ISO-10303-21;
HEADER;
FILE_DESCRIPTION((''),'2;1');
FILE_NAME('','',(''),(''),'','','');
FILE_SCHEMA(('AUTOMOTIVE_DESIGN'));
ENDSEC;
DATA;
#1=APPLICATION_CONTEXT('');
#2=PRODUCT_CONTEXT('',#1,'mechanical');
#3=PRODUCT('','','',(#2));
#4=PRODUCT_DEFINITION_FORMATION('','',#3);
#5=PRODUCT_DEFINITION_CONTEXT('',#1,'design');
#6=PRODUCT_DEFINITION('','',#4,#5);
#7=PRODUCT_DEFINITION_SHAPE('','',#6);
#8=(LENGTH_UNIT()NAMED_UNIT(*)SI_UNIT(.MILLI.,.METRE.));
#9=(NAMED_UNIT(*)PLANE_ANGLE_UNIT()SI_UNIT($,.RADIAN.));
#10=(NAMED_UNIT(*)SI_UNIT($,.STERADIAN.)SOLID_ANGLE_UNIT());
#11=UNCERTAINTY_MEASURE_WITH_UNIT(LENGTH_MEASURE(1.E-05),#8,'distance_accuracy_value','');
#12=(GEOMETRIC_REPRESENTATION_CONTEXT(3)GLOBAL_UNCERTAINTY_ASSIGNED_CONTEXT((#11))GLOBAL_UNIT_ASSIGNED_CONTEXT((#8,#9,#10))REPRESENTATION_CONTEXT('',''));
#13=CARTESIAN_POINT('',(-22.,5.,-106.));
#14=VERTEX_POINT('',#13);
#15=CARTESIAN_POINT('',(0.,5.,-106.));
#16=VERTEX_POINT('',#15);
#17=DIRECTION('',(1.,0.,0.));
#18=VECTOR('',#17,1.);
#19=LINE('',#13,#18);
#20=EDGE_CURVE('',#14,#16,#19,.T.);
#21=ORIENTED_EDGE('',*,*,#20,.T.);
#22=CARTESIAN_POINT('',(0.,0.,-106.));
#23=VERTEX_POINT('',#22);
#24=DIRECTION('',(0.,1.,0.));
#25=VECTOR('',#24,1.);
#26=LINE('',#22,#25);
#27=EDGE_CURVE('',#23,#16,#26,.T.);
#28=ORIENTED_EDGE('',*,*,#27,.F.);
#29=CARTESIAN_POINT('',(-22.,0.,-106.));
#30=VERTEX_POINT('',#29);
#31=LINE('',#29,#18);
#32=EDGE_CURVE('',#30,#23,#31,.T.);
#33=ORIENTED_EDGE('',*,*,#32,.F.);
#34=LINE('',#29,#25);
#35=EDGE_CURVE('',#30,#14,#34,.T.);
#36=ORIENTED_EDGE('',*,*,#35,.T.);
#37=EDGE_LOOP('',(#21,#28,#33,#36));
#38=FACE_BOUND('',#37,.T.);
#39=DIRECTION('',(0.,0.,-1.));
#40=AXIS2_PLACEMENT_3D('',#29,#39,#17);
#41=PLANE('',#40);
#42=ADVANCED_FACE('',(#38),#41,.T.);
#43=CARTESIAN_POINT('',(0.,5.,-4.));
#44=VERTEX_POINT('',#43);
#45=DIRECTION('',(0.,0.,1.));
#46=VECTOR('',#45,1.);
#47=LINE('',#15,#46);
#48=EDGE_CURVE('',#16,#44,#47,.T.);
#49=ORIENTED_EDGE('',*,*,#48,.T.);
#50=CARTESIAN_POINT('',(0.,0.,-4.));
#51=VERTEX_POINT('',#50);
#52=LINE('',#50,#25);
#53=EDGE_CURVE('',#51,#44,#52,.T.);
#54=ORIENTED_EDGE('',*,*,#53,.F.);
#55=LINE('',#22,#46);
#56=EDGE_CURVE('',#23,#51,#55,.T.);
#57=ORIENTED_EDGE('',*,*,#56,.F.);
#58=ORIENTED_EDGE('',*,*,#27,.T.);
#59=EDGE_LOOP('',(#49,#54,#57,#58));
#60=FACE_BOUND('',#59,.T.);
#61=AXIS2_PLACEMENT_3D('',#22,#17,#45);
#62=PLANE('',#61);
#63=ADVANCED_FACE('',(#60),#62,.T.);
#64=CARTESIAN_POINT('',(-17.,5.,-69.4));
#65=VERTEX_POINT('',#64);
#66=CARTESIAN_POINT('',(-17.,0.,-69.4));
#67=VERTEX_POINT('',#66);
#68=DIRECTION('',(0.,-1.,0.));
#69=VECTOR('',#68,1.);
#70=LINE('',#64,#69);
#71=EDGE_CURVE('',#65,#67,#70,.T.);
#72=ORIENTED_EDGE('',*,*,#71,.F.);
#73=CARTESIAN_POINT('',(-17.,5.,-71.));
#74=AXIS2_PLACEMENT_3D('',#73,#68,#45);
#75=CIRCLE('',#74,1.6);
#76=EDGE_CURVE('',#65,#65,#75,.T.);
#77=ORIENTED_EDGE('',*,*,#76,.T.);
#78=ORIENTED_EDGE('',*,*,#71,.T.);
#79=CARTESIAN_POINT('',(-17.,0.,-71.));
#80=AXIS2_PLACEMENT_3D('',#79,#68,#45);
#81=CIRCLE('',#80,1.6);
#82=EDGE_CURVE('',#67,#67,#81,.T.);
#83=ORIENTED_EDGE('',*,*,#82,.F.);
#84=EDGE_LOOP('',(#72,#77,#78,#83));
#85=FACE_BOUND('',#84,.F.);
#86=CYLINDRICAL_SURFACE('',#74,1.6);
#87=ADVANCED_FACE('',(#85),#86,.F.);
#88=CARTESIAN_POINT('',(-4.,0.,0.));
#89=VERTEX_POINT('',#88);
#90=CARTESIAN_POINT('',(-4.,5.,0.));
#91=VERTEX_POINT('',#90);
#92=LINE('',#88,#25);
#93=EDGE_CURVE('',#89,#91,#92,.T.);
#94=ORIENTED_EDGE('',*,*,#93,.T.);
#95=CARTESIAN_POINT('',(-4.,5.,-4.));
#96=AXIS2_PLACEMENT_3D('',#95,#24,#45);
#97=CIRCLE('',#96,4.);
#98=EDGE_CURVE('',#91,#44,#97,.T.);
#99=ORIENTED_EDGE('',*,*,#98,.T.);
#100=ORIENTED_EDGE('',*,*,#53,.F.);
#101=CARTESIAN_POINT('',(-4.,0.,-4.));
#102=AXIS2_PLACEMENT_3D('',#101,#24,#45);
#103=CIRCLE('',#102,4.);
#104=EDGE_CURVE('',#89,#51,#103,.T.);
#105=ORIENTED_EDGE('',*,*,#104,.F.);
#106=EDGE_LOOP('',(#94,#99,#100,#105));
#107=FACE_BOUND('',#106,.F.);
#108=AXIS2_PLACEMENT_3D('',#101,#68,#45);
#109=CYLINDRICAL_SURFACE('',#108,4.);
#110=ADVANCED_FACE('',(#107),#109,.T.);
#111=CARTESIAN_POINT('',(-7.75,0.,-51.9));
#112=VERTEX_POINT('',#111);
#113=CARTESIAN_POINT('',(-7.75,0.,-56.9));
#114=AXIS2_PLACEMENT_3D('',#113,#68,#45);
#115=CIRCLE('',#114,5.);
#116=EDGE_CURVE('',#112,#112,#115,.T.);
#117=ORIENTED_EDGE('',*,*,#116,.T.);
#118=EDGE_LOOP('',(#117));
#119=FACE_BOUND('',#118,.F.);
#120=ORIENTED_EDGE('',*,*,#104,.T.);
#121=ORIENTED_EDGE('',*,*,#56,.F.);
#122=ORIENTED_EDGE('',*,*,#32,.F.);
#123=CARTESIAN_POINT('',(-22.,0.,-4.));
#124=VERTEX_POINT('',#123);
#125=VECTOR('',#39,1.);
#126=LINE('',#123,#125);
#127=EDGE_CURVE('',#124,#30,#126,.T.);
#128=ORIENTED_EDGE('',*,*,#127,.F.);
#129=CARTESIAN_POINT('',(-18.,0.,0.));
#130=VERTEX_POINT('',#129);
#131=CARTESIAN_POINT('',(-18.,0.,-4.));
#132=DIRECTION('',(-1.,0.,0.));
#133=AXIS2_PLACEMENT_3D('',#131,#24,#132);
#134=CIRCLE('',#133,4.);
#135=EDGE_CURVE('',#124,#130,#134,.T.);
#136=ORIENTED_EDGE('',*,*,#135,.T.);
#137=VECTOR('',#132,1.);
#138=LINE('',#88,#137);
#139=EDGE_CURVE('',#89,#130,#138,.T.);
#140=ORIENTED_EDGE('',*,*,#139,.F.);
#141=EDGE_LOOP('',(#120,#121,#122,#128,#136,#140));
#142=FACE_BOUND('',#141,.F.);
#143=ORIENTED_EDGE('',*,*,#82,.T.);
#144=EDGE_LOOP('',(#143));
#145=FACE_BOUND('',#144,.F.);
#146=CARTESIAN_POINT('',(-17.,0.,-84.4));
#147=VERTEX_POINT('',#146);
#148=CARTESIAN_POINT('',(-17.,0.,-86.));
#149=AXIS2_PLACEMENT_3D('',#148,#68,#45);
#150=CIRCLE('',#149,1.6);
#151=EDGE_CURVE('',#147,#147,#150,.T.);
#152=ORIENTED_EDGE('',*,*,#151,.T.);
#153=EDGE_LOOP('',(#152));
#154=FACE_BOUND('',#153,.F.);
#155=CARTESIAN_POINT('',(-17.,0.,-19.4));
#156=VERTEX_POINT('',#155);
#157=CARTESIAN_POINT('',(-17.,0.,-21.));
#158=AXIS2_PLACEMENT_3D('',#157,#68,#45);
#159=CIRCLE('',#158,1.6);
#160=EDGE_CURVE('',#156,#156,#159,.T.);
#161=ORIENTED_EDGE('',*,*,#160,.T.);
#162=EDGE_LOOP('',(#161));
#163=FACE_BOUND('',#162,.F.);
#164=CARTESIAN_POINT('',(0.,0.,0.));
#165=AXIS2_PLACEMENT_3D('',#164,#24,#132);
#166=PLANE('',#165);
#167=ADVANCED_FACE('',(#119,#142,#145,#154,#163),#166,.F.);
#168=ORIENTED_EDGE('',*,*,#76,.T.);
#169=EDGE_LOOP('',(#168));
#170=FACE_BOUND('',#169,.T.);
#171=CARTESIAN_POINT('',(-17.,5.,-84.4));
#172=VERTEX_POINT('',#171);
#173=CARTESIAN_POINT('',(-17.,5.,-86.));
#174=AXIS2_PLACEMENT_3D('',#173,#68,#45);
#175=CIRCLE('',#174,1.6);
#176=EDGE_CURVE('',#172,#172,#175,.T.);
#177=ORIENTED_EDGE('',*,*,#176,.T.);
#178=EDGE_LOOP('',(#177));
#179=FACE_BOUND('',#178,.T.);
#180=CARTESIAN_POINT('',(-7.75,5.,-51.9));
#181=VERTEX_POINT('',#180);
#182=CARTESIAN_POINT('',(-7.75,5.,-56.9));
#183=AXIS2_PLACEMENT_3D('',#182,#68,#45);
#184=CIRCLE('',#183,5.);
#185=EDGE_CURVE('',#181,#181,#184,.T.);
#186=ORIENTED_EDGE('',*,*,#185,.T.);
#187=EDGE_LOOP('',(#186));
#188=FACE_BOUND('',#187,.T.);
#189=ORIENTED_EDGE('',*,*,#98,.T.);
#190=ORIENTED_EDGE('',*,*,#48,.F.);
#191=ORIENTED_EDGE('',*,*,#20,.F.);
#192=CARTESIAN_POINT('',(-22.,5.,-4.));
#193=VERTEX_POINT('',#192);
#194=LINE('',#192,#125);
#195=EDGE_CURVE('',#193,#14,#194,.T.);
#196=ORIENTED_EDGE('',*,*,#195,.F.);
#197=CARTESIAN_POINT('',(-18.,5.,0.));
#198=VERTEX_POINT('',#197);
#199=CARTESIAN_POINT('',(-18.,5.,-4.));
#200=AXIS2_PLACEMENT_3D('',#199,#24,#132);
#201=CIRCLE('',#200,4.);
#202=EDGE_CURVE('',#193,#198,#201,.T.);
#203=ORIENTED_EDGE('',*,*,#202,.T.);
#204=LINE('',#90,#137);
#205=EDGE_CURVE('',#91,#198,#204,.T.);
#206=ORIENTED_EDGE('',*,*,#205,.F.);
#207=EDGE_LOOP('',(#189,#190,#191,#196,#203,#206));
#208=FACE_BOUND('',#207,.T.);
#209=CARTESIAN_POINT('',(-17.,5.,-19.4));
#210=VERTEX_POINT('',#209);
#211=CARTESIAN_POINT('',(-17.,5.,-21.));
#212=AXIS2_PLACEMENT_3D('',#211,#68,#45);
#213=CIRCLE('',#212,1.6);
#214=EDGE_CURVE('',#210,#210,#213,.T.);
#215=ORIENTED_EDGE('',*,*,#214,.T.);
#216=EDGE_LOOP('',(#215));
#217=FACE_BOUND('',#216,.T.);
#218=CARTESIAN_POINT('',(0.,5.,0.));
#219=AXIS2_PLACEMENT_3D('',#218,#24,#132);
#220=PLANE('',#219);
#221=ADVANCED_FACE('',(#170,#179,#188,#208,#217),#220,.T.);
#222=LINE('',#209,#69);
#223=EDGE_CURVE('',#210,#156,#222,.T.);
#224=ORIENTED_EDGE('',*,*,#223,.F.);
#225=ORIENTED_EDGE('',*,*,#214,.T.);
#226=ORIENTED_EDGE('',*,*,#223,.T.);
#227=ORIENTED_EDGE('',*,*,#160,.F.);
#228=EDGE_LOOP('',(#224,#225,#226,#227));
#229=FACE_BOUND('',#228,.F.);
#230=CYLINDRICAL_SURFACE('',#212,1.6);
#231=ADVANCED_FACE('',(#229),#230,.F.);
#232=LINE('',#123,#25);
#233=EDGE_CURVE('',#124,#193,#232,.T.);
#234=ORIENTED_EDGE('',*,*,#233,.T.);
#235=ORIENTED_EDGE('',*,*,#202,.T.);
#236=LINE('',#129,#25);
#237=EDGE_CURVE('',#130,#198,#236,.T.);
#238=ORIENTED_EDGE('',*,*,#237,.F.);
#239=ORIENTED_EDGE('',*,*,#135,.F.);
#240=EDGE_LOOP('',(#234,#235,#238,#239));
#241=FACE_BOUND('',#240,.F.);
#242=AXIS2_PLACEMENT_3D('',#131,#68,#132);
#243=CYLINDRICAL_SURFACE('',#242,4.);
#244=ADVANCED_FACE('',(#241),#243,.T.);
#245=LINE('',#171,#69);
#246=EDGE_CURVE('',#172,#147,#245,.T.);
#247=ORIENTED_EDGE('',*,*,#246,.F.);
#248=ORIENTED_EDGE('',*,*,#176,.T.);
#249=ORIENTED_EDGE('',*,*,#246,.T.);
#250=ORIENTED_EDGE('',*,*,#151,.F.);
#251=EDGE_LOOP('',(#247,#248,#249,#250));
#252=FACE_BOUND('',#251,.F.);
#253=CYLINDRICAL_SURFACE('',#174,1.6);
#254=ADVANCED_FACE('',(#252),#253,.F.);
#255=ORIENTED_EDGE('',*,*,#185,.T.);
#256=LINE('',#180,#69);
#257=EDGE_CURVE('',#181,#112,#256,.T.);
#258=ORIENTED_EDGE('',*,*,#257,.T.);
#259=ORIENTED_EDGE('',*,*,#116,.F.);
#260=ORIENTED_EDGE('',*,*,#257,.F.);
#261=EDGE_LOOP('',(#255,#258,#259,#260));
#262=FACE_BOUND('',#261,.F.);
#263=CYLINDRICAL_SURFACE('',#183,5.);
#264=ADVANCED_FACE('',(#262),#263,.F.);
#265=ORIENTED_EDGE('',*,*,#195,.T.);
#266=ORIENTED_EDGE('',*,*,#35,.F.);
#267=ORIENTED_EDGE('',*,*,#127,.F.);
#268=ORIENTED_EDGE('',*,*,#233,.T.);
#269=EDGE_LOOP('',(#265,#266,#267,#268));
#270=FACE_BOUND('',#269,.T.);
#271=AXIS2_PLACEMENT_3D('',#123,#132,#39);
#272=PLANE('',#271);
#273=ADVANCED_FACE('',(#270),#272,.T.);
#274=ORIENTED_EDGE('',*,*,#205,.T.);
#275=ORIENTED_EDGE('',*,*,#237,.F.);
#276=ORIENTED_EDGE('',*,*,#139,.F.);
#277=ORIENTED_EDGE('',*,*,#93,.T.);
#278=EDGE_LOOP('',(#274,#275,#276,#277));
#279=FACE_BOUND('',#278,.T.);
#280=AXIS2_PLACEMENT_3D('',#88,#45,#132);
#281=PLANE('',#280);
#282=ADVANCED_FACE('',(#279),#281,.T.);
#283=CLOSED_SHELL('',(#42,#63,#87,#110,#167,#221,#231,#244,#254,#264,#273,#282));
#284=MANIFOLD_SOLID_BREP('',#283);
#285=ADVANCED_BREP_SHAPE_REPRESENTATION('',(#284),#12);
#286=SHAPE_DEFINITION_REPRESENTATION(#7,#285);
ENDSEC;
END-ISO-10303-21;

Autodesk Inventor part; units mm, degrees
ref_plane "YZ Plane" through (0, 0, 0) normal (1, 0, 0) x (0, 1, 0)
ref_plane "XZ Plane" through (0, 0, 0) normal (0, 1, 0) x (-1, 0, 0)
ref_plane "XY Plane" through (0, 0, 0) normal (0, 0, 1) x (1, 0, 0)
sketch "Sketch1" plane through (0, 0, 0) normal (0, 1, 0) x (-1, 0, 0)
  line L0 (4, 0) -> (18, 0)
  line L1 (22, -4) -> (22, -106)
  line L2 (22, -106) -> (0, -106)
  line L3 (0, -106) -> (0, -4)
  arc A0 (22, -4) -> (18, 0) centre (18, -4) ccw
  arc A1 (4, 0) -> (0, -4) centre (4, -4) ccw
  point P0 (0, 0)
  point P1 (22, 0)
  dimension "d0" = 22
  dimension "d1" = 106
  dimension "d2" = 4
extrude "Extrusion1" add sketch "Sketch1" along normal blind 5
sketch "Sketch2" plane through (0, 5, 0) normal (0, 1, 0) x (1, 0, 0)
  line L0 (-7.75, -15.5804) -> (-7.75, 135.2593) construction
  line L1 (0, 4) -> (0, 106) construction
  line L2 (0, 106) -> (-22, 106) projected
  point P0 (0, 0)
  point P1 (-7.75, 56.9)
  dimension "d5" = 7.75
  dimension "d6" = 49.1
hole "Hole1" at (-7.75, 5, -56.9) direction (0, -1, 0) diameter 10 end through all
sketch "Sketch3" plane through (0, 5, 0) normal (0, 1, 0) x (1, 0, 0)
  line L0 (-17, -17.788) -> (-17, 124.5417) construction
  line L1 (0, 4) -> (0, 106) construction
  line L2 (0, 106) -> (-22, 106) construction
  line L3 (0, 106) -> (-22, 106) construction
  point P0 (0, 0)
  point P1 (-17, 86)
  point P2 (-17, 21)
  point P3 (-17, 71)
  dimension "d14" = 17
  dimension "d15" = 20
  dimension "d16" = 35
  dimension "d17" = 85
hole "Hole2" at (-17, 5, -86) at (-17, 5, -21) at (-17, 5, -71) direction (0, -1, 0) diameter 3.2 end through all
properties part number "upper plate slide"
